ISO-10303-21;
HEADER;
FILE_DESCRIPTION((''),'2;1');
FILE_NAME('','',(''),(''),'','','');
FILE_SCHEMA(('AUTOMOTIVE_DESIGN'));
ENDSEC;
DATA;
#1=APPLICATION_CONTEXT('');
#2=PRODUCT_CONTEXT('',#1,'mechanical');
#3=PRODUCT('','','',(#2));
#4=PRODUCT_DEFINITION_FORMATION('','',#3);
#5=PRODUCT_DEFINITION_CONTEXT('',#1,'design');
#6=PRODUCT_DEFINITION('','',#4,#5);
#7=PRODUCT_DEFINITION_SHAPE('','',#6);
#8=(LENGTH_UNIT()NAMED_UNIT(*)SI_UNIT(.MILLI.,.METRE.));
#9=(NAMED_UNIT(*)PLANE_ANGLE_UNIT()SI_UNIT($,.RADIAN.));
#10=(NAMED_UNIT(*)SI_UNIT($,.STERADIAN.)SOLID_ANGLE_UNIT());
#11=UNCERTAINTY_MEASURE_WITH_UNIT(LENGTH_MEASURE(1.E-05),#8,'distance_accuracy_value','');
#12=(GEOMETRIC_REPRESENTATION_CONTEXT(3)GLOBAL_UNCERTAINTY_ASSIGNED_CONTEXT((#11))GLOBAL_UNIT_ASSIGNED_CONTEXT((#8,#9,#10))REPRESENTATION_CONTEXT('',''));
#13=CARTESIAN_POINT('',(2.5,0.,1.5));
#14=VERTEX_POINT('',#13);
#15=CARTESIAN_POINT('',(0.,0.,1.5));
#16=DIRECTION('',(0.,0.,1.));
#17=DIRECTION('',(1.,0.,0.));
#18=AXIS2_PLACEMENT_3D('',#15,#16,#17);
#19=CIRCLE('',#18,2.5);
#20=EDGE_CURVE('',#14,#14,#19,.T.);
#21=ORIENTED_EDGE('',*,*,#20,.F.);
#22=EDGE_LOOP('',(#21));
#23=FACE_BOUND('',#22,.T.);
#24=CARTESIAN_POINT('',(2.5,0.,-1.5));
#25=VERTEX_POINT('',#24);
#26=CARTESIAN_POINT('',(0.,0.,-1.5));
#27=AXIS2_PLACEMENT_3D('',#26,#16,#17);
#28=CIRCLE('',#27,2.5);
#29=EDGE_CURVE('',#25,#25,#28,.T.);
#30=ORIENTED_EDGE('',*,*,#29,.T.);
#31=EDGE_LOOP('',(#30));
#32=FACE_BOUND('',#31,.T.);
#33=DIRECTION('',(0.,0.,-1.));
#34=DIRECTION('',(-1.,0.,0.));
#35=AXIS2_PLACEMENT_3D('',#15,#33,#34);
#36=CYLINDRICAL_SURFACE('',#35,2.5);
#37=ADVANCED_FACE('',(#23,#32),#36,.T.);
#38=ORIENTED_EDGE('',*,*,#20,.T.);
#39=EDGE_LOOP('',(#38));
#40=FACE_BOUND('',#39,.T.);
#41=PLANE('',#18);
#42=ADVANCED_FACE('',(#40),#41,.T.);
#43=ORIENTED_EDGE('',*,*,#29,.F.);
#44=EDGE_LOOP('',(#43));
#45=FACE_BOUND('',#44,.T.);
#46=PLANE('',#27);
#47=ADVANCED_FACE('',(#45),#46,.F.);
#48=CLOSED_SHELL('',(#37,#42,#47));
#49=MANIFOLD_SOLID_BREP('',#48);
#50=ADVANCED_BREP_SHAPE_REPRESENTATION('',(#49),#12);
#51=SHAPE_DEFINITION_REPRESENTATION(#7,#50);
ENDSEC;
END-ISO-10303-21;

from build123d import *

# Parameters (mm, degrees)
SKETCH1_R           = 2.5
BOSS_EXTRUDE1_DEPTH = 1.5


with BuildPart() as part:
    # Sketch1 → Boss-Extrude1 (new body, symmetric)
    with BuildSketch(Plane.XY):
        Circle(SKETCH1_R)
    extrude(amount=BOSS_EXTRUDE1_DEPTH, both=True)


solid = part.part
